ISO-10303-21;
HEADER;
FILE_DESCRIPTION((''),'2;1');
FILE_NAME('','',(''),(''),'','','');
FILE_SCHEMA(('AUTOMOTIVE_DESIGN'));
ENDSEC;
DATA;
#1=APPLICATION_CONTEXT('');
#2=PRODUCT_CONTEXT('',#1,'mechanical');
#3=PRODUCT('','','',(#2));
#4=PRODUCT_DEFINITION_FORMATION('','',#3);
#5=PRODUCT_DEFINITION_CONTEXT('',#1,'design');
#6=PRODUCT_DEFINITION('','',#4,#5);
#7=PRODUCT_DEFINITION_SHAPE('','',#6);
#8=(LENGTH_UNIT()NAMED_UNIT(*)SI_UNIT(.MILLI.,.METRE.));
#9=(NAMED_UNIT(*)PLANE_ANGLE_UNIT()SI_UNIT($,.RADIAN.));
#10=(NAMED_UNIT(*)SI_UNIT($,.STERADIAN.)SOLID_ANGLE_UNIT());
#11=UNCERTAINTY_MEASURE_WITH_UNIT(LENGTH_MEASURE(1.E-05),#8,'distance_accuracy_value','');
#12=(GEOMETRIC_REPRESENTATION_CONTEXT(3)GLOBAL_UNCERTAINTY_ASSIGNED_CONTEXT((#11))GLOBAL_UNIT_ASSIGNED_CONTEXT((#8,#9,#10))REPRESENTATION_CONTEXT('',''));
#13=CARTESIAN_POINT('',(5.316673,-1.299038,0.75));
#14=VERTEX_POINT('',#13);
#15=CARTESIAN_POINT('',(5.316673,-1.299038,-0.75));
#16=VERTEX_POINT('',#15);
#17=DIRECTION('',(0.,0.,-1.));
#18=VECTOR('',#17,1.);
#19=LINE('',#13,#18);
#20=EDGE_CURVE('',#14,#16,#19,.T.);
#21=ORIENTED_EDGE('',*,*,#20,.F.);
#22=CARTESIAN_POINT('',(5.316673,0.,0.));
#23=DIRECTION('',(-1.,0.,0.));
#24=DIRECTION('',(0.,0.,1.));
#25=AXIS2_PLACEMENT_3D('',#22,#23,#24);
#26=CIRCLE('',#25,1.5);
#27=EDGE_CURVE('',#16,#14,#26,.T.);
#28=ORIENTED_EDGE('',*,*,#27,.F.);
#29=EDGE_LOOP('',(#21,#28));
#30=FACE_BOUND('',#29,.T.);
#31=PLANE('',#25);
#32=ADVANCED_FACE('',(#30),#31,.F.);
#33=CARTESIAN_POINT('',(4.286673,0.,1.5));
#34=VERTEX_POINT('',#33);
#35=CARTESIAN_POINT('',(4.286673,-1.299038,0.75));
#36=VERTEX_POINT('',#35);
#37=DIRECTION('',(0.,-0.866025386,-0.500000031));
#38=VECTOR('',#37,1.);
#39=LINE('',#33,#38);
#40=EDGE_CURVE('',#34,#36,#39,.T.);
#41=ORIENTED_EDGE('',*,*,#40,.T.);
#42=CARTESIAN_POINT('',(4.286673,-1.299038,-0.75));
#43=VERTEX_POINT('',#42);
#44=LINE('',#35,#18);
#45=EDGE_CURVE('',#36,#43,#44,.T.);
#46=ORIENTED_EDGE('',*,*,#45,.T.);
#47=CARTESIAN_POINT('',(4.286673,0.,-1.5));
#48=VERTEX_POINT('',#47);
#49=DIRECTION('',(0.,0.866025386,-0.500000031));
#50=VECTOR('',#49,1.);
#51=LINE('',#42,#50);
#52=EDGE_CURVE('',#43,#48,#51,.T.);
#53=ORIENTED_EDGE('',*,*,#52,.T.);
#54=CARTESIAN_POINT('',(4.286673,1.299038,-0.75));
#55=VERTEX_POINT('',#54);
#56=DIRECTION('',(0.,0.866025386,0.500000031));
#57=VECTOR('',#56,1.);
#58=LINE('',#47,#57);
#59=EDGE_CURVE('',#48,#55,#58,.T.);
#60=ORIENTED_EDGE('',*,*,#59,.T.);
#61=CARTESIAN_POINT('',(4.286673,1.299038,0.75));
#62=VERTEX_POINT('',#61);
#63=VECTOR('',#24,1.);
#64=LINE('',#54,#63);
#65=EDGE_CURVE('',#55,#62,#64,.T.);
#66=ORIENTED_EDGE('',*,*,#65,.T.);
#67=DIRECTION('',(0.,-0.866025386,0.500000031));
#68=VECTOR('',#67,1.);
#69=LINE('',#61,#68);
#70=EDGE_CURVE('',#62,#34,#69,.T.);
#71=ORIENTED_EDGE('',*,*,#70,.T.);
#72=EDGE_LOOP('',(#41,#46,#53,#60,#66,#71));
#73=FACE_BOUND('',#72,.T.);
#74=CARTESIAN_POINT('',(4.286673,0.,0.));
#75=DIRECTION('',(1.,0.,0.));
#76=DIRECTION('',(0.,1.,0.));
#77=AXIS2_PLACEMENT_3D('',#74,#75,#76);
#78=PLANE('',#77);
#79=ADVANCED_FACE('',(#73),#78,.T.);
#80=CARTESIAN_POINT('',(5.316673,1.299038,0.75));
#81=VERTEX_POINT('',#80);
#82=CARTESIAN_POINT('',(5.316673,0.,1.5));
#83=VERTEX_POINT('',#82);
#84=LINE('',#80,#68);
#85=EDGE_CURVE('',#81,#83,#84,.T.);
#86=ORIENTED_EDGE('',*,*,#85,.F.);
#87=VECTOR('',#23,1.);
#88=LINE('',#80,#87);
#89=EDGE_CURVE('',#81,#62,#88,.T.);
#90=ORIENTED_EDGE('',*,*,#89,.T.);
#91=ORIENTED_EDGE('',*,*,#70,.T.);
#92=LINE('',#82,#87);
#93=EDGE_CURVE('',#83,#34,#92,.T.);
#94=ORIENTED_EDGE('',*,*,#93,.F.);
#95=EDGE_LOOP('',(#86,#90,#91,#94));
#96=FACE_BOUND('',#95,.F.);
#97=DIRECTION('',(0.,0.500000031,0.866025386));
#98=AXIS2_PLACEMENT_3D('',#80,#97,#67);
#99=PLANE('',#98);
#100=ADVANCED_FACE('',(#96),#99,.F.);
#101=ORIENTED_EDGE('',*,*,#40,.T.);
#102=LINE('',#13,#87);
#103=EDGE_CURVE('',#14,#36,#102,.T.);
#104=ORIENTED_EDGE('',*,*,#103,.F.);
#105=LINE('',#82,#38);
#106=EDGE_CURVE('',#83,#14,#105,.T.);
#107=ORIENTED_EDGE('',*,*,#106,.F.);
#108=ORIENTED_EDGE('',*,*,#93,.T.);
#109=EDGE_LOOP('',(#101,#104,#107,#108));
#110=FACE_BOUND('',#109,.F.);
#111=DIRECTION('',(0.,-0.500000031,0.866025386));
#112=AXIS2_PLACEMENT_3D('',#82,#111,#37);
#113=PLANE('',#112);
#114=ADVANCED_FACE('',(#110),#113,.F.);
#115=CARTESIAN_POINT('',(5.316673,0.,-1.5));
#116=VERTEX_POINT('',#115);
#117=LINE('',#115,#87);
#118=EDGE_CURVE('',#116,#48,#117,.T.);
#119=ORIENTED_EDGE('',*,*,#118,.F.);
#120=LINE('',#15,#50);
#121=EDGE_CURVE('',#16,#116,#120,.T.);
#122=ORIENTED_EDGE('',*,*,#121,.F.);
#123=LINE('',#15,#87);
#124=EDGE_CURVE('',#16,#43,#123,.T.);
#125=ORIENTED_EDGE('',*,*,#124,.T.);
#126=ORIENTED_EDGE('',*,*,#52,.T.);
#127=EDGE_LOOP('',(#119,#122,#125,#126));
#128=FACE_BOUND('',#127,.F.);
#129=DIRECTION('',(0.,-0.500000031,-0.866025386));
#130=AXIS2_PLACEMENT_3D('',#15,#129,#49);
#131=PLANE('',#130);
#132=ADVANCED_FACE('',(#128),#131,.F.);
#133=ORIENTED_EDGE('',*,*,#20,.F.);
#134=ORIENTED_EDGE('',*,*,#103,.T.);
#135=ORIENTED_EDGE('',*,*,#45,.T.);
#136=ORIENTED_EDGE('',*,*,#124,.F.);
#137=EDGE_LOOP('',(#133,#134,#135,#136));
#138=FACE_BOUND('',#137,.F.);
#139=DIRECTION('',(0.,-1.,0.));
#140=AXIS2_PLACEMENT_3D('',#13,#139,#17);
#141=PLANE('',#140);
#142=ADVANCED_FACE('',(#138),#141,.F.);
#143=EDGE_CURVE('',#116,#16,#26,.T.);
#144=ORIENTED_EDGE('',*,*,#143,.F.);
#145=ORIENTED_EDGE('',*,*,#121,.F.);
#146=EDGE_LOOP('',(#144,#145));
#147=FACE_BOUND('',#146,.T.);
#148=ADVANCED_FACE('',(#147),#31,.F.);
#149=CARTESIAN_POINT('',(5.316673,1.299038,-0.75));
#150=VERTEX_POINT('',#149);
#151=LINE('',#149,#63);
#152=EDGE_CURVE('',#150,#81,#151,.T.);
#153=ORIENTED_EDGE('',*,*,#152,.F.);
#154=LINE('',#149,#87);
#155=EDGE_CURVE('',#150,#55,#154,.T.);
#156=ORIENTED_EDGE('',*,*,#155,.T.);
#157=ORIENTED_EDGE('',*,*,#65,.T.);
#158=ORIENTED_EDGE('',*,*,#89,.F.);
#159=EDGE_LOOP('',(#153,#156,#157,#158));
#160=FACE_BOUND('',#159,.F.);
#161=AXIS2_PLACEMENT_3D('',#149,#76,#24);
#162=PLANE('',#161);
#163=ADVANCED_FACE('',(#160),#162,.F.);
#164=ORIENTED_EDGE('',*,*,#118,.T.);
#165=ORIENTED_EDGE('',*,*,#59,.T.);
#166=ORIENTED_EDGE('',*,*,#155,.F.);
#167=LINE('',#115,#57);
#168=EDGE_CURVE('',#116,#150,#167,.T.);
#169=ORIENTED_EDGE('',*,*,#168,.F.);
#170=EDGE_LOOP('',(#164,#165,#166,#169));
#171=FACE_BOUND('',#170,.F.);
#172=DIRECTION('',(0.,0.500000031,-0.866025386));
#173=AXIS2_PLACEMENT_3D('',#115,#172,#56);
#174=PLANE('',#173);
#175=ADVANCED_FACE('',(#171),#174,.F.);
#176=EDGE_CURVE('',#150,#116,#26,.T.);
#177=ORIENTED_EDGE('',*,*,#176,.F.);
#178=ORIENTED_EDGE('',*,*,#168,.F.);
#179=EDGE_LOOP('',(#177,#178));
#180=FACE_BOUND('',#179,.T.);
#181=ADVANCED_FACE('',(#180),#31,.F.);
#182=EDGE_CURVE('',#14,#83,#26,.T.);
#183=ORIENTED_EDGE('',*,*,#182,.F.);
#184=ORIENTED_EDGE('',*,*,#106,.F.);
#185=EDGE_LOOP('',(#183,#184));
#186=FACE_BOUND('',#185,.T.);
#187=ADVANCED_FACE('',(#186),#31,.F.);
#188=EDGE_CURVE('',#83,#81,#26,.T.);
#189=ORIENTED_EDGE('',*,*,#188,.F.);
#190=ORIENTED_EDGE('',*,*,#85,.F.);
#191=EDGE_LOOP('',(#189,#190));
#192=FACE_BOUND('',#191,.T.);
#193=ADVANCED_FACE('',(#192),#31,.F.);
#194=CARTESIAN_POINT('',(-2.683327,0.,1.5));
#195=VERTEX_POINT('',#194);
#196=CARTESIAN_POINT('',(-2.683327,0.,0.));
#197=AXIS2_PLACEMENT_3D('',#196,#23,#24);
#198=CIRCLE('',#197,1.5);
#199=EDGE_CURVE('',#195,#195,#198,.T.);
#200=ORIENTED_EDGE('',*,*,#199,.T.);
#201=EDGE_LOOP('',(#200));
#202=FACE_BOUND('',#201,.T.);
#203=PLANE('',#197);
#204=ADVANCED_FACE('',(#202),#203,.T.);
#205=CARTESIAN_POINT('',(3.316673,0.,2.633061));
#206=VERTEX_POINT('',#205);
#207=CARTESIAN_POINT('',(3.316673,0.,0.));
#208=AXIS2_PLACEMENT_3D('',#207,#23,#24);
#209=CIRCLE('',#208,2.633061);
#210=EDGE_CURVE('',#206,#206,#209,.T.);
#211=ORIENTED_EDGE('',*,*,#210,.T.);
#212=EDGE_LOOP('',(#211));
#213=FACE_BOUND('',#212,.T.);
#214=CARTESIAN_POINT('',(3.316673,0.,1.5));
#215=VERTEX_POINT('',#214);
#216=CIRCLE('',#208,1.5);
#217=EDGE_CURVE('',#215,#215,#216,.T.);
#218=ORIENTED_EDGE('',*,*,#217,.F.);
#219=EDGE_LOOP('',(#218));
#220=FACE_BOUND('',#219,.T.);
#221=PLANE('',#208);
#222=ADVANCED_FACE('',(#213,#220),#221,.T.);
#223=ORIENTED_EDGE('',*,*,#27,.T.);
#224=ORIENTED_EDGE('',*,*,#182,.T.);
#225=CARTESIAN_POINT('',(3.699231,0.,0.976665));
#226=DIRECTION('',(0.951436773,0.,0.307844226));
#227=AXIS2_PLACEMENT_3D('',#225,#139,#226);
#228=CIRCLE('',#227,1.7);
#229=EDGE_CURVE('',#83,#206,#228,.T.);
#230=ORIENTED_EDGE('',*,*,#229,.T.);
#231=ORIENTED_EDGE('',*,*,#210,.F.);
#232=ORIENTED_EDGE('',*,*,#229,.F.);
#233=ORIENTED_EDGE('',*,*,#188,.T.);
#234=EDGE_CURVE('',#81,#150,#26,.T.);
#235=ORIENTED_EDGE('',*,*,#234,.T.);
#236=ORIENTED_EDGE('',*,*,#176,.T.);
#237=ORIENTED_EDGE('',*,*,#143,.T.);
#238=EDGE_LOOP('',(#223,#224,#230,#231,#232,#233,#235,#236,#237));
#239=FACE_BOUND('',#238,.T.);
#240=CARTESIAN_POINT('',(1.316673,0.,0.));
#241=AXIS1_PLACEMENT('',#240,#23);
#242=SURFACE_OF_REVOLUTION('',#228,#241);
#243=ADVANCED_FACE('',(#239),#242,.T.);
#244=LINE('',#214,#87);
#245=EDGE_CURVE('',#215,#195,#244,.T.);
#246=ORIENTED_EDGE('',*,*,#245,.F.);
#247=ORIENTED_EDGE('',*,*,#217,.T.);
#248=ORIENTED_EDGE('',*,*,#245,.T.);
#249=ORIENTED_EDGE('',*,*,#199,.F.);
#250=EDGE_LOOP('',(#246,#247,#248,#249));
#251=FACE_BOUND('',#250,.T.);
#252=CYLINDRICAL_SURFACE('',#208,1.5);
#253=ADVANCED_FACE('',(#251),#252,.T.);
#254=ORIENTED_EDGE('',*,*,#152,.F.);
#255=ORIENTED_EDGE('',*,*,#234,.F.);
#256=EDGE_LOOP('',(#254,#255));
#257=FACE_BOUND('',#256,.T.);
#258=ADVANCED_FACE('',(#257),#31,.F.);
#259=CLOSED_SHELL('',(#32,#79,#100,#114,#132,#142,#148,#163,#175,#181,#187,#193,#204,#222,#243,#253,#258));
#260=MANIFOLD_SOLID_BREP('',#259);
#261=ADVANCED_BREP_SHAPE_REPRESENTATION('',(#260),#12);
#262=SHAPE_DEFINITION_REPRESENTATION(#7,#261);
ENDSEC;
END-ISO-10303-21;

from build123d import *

# Parameters (mm, degrees)
F3_DEPTH = 1.03


with BuildPart() as f1:
    # F0 (on Front) → F1 (revolve)
    with BuildSketch(Plane.XZ):
        with BuildLine():
            Line((-2.683327, 0), (5.316673, 0))
            Line((5.316673, 0), (5.316673, 1.5))
            ThreePointArc((5.316673, 1.5), (4.537199, 2.455789), (3.316673, 2.633061))
            Line((3.316673, 2.633061), (3.316673, 1.5))
            Line((3.316673, 1.5), (-2.683327, 1.5))
            Line((-2.683327, 1.5), (-2.683327, 0))
        make_face()
    revolve(axis=Axis((1.316673, 0, 0), (-1, 0, 0)))

    # F2 (on face) → F3 (cut)
    with BuildSketch(Plane.YZ.offset(5.316673)):
        Polygon((0, -1.5), (1.299038, -0.75), (1.299038, 0.75), (0, 1.5), (-1.299038, 0.75), (-1.299038, -0.75), align=None)
    extrude(amount=-F3_DEPTH, mode=Mode.SUBTRACT)


solid = f1.part
